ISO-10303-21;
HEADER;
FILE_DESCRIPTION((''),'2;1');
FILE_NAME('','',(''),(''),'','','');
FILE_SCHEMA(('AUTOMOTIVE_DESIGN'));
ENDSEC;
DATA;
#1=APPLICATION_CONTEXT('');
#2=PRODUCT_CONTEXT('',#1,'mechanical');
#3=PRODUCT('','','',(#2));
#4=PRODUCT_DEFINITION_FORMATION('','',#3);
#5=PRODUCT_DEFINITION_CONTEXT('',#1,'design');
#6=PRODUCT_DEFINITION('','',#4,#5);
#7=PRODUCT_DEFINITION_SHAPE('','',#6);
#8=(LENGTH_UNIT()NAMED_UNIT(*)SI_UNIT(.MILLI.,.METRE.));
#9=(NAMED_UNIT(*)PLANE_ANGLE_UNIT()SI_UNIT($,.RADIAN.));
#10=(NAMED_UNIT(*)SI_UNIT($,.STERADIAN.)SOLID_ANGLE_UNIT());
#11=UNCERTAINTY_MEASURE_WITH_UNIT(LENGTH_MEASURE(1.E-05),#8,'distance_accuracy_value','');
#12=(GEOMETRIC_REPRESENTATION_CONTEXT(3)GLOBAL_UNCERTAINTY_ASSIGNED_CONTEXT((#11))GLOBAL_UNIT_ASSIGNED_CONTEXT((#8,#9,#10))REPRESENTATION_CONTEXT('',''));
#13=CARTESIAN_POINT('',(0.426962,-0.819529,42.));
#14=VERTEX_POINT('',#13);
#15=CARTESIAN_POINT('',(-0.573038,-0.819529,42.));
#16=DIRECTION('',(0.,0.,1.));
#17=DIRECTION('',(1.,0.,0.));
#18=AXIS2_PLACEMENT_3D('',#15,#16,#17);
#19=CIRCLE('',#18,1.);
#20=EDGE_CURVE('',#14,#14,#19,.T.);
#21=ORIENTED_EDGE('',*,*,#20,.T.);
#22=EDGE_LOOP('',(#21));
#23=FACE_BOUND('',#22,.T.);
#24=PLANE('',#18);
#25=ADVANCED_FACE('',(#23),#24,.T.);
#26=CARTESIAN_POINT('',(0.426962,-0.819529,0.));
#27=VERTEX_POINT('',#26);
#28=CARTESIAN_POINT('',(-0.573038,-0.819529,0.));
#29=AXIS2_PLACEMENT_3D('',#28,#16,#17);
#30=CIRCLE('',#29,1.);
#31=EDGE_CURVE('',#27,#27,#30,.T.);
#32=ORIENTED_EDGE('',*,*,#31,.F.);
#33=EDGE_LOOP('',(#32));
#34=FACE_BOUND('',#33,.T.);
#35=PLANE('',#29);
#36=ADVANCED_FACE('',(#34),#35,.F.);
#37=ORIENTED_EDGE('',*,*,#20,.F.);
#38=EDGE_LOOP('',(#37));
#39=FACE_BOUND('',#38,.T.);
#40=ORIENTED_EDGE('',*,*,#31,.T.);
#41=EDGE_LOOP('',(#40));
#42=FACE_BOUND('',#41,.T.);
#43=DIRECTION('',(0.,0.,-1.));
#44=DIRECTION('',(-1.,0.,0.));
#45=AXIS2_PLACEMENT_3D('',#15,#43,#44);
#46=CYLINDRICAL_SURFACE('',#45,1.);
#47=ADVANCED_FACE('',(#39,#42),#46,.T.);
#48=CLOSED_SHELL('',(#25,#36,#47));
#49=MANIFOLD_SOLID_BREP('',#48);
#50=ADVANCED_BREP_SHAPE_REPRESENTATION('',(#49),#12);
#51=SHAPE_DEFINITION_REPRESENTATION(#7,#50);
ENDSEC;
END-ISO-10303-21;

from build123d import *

# Parameters (mm, degrees)
SKETCH1_R           = 1
BOSS_EXTRUDE1_DEPTH = 42


with BuildPart() as part:
    # Sketch1 → Boss-Extrude1 (new body)
    with BuildSketch(Plane.XY):
        with Locations((-0.573038225, -0.819528641)):
            Circle(SKETCH1_R)
    extrude(amount=BOSS_EXTRUDE1_DEPTH)


solid = part.part
